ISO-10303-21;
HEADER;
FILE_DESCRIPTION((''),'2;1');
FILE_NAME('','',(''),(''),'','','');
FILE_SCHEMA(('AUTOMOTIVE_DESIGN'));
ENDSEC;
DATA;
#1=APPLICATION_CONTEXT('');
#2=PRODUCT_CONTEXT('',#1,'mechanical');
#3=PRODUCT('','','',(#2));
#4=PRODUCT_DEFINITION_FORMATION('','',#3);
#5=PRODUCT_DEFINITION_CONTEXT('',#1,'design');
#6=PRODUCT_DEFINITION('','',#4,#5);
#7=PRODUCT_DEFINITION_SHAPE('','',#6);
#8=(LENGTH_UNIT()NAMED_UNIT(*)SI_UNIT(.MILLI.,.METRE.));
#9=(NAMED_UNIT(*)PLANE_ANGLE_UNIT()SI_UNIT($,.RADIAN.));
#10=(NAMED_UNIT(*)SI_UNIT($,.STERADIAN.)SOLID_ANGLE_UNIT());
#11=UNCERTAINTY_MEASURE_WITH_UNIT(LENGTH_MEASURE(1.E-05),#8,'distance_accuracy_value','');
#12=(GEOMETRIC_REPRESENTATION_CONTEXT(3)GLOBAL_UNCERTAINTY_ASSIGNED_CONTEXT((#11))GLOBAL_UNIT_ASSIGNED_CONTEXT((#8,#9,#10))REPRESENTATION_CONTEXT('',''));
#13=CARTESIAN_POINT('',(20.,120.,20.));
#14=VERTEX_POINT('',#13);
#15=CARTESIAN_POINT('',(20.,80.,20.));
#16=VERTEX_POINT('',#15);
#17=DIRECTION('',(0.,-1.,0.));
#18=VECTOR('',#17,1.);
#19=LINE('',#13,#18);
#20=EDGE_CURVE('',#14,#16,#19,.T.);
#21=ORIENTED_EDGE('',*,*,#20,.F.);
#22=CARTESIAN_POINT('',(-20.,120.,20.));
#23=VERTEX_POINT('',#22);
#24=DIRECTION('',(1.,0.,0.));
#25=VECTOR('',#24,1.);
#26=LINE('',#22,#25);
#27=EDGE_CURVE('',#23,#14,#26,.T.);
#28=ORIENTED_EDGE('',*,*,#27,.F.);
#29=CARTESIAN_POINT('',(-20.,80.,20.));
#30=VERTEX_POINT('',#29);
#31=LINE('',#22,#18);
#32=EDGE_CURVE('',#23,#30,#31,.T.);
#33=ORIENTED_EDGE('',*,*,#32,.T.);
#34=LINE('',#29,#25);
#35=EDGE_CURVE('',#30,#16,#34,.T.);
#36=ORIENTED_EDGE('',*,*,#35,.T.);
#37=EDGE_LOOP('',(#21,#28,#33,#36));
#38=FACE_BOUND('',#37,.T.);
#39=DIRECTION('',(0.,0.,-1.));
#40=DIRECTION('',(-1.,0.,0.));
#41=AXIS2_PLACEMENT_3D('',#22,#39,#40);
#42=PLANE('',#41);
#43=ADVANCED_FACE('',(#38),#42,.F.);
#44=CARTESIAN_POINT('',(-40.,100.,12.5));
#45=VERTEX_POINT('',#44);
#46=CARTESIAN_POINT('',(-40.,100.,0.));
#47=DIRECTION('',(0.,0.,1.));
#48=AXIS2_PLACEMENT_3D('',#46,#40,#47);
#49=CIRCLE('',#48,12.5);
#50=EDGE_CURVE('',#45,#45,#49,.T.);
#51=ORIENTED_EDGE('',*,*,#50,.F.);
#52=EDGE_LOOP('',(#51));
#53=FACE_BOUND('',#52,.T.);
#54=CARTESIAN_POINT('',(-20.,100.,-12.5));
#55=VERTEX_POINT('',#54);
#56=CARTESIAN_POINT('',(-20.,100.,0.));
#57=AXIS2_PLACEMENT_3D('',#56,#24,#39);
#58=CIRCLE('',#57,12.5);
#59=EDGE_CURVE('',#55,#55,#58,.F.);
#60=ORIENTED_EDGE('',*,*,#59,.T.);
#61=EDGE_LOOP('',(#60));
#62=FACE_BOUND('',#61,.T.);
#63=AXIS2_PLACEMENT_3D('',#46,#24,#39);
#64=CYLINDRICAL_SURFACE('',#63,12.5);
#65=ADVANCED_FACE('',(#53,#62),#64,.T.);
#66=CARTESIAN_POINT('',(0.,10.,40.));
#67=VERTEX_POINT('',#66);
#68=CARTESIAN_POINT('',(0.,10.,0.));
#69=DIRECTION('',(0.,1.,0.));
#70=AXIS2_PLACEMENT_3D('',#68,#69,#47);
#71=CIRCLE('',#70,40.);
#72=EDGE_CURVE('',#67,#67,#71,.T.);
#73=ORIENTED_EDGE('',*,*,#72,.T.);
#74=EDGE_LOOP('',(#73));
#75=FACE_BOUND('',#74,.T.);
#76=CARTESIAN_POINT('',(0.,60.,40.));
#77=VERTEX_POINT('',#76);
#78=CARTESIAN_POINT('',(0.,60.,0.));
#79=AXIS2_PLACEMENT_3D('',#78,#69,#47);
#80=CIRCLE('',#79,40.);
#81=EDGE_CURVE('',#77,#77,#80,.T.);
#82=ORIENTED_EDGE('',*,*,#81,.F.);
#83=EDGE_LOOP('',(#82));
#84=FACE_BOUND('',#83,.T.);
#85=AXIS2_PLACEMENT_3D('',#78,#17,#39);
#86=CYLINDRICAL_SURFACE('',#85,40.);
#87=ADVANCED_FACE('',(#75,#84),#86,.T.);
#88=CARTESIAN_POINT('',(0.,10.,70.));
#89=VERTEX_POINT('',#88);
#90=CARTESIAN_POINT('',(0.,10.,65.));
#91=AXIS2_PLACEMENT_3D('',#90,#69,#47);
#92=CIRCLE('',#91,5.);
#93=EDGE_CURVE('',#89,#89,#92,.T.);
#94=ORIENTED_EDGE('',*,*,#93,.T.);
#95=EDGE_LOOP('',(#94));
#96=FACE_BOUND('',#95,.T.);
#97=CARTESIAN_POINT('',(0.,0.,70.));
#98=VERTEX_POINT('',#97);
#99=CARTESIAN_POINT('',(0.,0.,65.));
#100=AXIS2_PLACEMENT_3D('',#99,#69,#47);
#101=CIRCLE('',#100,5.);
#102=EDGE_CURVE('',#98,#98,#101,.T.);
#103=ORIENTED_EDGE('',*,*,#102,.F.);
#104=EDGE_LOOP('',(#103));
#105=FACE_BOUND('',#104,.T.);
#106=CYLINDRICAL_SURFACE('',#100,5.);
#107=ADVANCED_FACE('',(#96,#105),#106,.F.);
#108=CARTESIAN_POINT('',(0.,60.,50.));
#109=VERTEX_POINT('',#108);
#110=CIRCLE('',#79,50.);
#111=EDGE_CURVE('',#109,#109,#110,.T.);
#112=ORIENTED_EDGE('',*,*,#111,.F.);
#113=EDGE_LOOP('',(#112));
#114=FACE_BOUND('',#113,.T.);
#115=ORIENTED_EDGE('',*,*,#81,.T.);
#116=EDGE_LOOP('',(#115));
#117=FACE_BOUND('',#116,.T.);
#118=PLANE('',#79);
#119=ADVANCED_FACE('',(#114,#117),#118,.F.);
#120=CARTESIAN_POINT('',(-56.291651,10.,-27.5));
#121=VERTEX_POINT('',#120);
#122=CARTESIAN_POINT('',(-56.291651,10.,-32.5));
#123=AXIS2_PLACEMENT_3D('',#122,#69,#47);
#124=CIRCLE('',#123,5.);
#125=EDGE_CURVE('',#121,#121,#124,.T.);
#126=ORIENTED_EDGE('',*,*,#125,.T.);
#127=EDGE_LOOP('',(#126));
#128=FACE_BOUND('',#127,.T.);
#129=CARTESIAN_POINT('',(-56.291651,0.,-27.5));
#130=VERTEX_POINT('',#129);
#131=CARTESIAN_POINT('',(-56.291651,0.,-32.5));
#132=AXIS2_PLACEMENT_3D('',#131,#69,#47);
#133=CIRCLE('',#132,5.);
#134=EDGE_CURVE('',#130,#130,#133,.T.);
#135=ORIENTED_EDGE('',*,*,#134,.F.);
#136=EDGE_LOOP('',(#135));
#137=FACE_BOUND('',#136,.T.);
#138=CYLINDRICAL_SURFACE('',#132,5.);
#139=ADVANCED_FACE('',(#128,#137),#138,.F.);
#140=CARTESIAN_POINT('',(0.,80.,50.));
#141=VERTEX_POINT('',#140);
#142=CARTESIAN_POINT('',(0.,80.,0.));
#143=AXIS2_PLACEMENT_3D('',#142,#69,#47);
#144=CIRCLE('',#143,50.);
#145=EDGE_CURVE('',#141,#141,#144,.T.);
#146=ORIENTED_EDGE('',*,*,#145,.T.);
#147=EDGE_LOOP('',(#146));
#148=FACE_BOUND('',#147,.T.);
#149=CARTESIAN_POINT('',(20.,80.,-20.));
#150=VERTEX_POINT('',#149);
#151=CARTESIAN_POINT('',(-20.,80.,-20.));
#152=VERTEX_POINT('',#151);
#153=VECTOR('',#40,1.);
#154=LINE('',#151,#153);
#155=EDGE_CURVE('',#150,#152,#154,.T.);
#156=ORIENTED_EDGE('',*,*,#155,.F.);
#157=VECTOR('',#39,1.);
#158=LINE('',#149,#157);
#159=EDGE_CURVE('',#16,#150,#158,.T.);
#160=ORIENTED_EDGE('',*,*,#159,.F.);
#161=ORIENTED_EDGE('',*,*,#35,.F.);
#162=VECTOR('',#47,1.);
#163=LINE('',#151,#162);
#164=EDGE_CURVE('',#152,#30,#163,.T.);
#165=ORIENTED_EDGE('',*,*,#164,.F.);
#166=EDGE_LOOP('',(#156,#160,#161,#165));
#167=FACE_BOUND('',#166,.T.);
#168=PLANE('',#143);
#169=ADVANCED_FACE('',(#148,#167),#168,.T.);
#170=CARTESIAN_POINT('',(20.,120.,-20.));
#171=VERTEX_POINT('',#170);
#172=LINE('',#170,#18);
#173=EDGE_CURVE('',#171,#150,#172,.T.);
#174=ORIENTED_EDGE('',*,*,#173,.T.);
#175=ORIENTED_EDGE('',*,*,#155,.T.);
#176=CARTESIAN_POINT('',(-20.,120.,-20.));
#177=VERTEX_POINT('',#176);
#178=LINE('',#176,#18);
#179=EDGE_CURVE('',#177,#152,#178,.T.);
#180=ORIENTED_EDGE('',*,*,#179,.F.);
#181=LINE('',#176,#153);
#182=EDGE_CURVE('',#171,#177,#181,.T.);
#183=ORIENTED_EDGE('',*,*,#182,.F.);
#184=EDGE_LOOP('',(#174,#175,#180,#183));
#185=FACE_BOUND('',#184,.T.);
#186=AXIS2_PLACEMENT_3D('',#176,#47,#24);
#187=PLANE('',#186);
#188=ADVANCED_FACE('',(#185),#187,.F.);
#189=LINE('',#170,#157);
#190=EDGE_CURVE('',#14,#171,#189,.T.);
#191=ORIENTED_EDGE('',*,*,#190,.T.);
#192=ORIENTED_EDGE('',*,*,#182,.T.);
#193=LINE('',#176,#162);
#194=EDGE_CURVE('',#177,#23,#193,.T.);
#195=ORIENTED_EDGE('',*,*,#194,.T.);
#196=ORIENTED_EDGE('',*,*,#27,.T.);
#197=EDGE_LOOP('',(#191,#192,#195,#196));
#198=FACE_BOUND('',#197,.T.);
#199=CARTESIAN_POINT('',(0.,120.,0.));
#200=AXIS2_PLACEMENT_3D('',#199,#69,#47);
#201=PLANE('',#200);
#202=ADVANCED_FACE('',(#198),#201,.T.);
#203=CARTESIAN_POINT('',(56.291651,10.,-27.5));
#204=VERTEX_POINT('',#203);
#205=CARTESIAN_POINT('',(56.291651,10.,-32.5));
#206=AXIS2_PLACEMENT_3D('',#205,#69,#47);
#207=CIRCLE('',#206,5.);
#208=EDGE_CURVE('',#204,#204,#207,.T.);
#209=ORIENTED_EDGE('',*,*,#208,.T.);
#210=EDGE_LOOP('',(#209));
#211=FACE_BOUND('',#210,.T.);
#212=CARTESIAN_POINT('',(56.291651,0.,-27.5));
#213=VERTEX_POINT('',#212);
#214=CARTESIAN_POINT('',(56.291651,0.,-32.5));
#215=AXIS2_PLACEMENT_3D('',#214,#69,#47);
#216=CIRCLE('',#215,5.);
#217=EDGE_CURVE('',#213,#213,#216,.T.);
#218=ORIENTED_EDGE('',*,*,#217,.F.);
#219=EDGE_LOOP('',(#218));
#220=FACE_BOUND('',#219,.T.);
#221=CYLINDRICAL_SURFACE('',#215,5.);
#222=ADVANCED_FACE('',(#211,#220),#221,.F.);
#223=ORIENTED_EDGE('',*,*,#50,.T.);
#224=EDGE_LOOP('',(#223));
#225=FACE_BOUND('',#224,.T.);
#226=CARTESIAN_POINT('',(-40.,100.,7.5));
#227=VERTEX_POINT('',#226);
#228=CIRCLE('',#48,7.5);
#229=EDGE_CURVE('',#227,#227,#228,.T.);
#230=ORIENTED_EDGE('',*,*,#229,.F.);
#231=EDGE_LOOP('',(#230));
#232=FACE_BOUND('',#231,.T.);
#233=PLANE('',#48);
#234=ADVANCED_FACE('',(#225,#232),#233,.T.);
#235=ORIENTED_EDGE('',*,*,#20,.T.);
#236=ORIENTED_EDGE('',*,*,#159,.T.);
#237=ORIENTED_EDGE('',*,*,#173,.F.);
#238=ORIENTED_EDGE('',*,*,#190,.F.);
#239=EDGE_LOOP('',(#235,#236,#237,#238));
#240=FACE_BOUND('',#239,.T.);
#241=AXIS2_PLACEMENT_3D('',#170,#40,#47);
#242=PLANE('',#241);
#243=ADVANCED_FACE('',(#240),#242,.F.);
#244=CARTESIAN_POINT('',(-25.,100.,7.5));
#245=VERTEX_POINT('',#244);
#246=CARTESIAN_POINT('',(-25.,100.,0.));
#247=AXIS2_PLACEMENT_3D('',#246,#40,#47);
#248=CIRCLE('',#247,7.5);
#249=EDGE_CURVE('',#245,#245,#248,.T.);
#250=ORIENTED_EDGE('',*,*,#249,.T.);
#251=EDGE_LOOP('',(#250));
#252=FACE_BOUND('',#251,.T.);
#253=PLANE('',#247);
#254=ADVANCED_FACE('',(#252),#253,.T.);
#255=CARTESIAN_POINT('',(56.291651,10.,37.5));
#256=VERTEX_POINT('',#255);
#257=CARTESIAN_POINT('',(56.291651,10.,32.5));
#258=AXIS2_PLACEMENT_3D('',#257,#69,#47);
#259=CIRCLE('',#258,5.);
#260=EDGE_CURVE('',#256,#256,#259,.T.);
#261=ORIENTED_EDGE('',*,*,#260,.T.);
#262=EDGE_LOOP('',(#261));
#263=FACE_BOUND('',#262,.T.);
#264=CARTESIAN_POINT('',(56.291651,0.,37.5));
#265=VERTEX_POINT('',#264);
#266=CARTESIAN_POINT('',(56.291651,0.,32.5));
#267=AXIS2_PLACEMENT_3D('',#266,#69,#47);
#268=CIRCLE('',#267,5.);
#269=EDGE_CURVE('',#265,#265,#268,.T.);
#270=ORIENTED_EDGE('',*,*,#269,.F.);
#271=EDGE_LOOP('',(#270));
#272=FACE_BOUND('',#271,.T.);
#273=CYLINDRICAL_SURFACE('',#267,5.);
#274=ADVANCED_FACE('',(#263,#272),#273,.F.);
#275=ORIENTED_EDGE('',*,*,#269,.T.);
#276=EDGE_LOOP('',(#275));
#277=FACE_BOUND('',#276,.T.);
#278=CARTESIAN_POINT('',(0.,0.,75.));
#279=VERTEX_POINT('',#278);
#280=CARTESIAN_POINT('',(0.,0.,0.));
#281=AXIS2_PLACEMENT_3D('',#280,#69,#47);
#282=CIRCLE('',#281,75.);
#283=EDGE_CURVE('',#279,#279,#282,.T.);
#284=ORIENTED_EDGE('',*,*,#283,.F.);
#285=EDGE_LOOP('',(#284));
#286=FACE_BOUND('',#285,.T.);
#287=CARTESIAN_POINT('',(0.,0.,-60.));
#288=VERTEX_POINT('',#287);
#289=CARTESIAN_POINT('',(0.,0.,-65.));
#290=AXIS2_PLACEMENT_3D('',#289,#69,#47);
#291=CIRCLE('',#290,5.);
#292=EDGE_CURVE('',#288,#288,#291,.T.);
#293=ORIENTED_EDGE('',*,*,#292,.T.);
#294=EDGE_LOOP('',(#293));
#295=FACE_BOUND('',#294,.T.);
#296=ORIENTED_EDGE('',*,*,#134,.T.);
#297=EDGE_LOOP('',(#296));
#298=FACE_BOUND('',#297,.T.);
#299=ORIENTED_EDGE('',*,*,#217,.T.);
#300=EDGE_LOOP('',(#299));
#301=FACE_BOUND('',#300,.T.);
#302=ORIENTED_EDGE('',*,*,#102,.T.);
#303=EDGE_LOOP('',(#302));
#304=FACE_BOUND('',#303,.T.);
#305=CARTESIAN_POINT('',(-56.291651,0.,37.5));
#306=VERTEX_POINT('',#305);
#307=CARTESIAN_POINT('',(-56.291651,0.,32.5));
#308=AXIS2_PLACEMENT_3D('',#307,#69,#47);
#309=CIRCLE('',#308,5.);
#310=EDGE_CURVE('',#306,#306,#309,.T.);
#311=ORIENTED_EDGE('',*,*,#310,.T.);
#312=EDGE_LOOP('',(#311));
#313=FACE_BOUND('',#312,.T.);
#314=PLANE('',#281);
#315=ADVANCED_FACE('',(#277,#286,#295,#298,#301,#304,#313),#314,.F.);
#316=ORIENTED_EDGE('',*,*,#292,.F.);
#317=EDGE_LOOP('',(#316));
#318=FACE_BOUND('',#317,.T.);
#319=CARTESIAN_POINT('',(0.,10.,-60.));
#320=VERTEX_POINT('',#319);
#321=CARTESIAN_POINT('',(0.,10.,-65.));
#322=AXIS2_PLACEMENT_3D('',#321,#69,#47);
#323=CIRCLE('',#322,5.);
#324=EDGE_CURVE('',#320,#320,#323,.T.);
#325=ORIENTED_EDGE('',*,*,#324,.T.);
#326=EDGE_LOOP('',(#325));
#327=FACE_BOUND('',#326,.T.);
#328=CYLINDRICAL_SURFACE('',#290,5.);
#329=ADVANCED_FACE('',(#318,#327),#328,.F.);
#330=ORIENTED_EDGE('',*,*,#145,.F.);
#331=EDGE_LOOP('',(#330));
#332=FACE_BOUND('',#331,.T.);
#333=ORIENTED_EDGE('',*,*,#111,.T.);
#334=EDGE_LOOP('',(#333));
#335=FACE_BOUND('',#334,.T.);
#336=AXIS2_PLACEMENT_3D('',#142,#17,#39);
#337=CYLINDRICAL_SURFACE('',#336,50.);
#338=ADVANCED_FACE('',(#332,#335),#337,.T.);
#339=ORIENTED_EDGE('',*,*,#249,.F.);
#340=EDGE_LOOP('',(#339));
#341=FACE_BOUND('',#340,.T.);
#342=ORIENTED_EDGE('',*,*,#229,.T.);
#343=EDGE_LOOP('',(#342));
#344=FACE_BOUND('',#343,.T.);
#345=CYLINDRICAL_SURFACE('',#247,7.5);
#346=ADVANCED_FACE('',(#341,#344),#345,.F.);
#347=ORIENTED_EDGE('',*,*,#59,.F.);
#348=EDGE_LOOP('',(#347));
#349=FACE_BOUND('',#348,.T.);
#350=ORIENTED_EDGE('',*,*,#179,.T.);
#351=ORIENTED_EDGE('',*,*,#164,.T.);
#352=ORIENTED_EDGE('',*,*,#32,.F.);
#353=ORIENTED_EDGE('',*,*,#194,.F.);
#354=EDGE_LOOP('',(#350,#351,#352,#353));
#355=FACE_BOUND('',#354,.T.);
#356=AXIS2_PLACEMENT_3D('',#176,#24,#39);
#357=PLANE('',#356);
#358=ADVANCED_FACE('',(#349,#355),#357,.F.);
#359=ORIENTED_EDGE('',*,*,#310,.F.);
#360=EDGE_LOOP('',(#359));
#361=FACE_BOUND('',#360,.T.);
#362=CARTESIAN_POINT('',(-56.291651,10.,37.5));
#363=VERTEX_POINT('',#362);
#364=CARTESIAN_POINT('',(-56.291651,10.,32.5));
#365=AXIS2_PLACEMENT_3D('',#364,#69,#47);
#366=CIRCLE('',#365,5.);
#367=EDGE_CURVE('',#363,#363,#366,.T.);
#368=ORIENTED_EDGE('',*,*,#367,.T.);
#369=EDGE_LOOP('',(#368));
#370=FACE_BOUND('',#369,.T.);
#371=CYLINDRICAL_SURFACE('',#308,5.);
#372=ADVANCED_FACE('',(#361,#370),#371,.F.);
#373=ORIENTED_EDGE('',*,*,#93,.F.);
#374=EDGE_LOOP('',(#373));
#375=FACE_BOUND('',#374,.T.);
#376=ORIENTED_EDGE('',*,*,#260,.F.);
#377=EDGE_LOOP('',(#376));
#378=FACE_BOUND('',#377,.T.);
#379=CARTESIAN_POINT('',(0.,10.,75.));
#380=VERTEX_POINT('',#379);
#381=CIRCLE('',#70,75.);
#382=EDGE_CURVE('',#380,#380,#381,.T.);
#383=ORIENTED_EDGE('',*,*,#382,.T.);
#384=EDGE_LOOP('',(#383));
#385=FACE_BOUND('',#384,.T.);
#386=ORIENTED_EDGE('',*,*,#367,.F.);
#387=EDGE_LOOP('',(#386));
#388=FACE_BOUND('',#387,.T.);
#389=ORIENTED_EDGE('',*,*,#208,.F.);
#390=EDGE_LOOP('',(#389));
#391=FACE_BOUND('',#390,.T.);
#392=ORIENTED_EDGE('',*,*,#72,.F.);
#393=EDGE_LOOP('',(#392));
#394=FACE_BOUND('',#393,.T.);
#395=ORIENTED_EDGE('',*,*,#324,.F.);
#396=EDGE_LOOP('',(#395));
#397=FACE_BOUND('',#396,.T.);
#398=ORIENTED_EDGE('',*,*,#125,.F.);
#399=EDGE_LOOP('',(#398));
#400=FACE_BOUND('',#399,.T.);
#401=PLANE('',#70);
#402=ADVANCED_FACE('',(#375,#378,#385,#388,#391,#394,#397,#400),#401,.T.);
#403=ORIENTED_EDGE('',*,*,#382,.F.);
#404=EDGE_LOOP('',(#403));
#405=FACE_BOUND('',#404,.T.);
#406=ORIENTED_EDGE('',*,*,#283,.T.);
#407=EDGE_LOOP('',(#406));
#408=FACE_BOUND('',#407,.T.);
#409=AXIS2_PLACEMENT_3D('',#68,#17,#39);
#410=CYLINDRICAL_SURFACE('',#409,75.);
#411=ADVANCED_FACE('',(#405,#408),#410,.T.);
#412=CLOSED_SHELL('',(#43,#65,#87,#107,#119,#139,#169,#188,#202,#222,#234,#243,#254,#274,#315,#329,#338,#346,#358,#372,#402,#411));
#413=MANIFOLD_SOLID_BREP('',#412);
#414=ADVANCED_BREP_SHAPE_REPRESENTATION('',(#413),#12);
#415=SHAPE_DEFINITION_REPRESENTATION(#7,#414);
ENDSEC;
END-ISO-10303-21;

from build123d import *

# Parameters (mm, degrees)
SKETCH1_R           = 75
BOSS_EXTRUDE1_DEPTH = 10
SKETCH2_R           = 5
CUT_EXTRUDE1_DEPTH  = 10
SKETCH3_R           = 40
BOSS_EXTRUDE2_DEPTH = 50
SKETCH4_R           = 50
BOSS_EXTRUDE3_DEPTH = 20
SKETCH5_W           = 40
SKETCH5_H           = 40
BOSS_EXTRUDE4_DEPTH = 40
SKETCH6_R           = 12.5
BOSS_EXTRUDE5_DEPTH = 20
SKETCH9_R           = 7.5
CUT_EXTRUDE2_DEPTH  = 15


with BuildPart() as part:
    # Sketch1 → Boss-Extrude1 (new body)
    with BuildSketch(Plane(origin=(0, 0, 0), x_dir=(1, 0, 0), z_dir=(0, 1, 0))):
        with Locations(Location((0, 0, 0), (0, 0, 270))):
            Circle(SKETCH1_R)
    extrude(amount=BOSS_EXTRUDE1_DEPTH)

    # Sketch2 → Cut-Extrude1 (cut)
    with BuildSketch(Plane(origin=(0, 10, 0), x_dir=(1, 0, 0), z_dir=(0, 1, 0))):
        with Locations(Location((0, 65, 0), (0, 0, 270))):
            Circle(SKETCH2_R)
        with Locations(Location((56.291651246, 32.5, 0), (0, 0, 270))):
            Circle(SKETCH2_R)
        with Locations(Location((56.291651246, -32.5, 0), (0, 0, 270))):
            Circle(SKETCH2_R)
        with Locations(Location((0, -65, 0), (0, 0, 270))):
            Circle(SKETCH2_R)
        with Locations(Location((-56.291651246, -32.5, 0), (0, 0, 270))):
            Circle(SKETCH2_R)
        with Locations(Location((-56.291651246, 32.5, 0), (0, 0, 270))):
            Circle(SKETCH2_R)
    extrude(amount=-CUT_EXTRUDE1_DEPTH, mode=Mode.SUBTRACT)

    # Sketch3 → Boss-Extrude2 (add)
    with BuildSketch(Plane(origin=(0, 10, 0), x_dir=(1, 0, 0), z_dir=(0, 1, 0))):
        with Locations(Location((0, 0, 0), (0, 0, 270))):
            Circle(SKETCH3_R)
    extrude(amount=BOSS_EXTRUDE2_DEPTH)

    # Sketch4 → Boss-Extrude3 (add)
    with BuildSketch(Plane(origin=(0, 60, 0), x_dir=(1, 0, 0), z_dir=(0, 1, 0))):
        with Locations(Location((0, 0, 0), (0, 0, 270))):
            Circle(SKETCH4_R)
    extrude(amount=BOSS_EXTRUDE3_DEPTH)

    # Sketch5 → Boss-Extrude4 (add)
    with BuildSketch(Plane(origin=(0, 80, 0), x_dir=(1, 0, 0), z_dir=(0, 1, 0))):
        Rectangle(SKETCH5_W, SKETCH5_H)
    extrude(amount=BOSS_EXTRUDE4_DEPTH)

    # Sketch6 → Boss-Extrude5 (add)
    with BuildSketch(Plane.ZY.offset(20)):
        with Locations(Location((0, 100, 0), (0, 0, 180))):
            Circle(SKETCH6_R)
    extrude(amount=BOSS_EXTRUDE5_DEPTH)

    # Sketch9 → Cut-Extrude2 (cut)
    with BuildSketch(Plane.ZY.offset(40)):
        with Locations((0, 100)):
            Circle(SKETCH9_R)
    extrude(amount=-CUT_EXTRUDE2_DEPTH, mode=Mode.SUBTRACT)


solid = part.part
